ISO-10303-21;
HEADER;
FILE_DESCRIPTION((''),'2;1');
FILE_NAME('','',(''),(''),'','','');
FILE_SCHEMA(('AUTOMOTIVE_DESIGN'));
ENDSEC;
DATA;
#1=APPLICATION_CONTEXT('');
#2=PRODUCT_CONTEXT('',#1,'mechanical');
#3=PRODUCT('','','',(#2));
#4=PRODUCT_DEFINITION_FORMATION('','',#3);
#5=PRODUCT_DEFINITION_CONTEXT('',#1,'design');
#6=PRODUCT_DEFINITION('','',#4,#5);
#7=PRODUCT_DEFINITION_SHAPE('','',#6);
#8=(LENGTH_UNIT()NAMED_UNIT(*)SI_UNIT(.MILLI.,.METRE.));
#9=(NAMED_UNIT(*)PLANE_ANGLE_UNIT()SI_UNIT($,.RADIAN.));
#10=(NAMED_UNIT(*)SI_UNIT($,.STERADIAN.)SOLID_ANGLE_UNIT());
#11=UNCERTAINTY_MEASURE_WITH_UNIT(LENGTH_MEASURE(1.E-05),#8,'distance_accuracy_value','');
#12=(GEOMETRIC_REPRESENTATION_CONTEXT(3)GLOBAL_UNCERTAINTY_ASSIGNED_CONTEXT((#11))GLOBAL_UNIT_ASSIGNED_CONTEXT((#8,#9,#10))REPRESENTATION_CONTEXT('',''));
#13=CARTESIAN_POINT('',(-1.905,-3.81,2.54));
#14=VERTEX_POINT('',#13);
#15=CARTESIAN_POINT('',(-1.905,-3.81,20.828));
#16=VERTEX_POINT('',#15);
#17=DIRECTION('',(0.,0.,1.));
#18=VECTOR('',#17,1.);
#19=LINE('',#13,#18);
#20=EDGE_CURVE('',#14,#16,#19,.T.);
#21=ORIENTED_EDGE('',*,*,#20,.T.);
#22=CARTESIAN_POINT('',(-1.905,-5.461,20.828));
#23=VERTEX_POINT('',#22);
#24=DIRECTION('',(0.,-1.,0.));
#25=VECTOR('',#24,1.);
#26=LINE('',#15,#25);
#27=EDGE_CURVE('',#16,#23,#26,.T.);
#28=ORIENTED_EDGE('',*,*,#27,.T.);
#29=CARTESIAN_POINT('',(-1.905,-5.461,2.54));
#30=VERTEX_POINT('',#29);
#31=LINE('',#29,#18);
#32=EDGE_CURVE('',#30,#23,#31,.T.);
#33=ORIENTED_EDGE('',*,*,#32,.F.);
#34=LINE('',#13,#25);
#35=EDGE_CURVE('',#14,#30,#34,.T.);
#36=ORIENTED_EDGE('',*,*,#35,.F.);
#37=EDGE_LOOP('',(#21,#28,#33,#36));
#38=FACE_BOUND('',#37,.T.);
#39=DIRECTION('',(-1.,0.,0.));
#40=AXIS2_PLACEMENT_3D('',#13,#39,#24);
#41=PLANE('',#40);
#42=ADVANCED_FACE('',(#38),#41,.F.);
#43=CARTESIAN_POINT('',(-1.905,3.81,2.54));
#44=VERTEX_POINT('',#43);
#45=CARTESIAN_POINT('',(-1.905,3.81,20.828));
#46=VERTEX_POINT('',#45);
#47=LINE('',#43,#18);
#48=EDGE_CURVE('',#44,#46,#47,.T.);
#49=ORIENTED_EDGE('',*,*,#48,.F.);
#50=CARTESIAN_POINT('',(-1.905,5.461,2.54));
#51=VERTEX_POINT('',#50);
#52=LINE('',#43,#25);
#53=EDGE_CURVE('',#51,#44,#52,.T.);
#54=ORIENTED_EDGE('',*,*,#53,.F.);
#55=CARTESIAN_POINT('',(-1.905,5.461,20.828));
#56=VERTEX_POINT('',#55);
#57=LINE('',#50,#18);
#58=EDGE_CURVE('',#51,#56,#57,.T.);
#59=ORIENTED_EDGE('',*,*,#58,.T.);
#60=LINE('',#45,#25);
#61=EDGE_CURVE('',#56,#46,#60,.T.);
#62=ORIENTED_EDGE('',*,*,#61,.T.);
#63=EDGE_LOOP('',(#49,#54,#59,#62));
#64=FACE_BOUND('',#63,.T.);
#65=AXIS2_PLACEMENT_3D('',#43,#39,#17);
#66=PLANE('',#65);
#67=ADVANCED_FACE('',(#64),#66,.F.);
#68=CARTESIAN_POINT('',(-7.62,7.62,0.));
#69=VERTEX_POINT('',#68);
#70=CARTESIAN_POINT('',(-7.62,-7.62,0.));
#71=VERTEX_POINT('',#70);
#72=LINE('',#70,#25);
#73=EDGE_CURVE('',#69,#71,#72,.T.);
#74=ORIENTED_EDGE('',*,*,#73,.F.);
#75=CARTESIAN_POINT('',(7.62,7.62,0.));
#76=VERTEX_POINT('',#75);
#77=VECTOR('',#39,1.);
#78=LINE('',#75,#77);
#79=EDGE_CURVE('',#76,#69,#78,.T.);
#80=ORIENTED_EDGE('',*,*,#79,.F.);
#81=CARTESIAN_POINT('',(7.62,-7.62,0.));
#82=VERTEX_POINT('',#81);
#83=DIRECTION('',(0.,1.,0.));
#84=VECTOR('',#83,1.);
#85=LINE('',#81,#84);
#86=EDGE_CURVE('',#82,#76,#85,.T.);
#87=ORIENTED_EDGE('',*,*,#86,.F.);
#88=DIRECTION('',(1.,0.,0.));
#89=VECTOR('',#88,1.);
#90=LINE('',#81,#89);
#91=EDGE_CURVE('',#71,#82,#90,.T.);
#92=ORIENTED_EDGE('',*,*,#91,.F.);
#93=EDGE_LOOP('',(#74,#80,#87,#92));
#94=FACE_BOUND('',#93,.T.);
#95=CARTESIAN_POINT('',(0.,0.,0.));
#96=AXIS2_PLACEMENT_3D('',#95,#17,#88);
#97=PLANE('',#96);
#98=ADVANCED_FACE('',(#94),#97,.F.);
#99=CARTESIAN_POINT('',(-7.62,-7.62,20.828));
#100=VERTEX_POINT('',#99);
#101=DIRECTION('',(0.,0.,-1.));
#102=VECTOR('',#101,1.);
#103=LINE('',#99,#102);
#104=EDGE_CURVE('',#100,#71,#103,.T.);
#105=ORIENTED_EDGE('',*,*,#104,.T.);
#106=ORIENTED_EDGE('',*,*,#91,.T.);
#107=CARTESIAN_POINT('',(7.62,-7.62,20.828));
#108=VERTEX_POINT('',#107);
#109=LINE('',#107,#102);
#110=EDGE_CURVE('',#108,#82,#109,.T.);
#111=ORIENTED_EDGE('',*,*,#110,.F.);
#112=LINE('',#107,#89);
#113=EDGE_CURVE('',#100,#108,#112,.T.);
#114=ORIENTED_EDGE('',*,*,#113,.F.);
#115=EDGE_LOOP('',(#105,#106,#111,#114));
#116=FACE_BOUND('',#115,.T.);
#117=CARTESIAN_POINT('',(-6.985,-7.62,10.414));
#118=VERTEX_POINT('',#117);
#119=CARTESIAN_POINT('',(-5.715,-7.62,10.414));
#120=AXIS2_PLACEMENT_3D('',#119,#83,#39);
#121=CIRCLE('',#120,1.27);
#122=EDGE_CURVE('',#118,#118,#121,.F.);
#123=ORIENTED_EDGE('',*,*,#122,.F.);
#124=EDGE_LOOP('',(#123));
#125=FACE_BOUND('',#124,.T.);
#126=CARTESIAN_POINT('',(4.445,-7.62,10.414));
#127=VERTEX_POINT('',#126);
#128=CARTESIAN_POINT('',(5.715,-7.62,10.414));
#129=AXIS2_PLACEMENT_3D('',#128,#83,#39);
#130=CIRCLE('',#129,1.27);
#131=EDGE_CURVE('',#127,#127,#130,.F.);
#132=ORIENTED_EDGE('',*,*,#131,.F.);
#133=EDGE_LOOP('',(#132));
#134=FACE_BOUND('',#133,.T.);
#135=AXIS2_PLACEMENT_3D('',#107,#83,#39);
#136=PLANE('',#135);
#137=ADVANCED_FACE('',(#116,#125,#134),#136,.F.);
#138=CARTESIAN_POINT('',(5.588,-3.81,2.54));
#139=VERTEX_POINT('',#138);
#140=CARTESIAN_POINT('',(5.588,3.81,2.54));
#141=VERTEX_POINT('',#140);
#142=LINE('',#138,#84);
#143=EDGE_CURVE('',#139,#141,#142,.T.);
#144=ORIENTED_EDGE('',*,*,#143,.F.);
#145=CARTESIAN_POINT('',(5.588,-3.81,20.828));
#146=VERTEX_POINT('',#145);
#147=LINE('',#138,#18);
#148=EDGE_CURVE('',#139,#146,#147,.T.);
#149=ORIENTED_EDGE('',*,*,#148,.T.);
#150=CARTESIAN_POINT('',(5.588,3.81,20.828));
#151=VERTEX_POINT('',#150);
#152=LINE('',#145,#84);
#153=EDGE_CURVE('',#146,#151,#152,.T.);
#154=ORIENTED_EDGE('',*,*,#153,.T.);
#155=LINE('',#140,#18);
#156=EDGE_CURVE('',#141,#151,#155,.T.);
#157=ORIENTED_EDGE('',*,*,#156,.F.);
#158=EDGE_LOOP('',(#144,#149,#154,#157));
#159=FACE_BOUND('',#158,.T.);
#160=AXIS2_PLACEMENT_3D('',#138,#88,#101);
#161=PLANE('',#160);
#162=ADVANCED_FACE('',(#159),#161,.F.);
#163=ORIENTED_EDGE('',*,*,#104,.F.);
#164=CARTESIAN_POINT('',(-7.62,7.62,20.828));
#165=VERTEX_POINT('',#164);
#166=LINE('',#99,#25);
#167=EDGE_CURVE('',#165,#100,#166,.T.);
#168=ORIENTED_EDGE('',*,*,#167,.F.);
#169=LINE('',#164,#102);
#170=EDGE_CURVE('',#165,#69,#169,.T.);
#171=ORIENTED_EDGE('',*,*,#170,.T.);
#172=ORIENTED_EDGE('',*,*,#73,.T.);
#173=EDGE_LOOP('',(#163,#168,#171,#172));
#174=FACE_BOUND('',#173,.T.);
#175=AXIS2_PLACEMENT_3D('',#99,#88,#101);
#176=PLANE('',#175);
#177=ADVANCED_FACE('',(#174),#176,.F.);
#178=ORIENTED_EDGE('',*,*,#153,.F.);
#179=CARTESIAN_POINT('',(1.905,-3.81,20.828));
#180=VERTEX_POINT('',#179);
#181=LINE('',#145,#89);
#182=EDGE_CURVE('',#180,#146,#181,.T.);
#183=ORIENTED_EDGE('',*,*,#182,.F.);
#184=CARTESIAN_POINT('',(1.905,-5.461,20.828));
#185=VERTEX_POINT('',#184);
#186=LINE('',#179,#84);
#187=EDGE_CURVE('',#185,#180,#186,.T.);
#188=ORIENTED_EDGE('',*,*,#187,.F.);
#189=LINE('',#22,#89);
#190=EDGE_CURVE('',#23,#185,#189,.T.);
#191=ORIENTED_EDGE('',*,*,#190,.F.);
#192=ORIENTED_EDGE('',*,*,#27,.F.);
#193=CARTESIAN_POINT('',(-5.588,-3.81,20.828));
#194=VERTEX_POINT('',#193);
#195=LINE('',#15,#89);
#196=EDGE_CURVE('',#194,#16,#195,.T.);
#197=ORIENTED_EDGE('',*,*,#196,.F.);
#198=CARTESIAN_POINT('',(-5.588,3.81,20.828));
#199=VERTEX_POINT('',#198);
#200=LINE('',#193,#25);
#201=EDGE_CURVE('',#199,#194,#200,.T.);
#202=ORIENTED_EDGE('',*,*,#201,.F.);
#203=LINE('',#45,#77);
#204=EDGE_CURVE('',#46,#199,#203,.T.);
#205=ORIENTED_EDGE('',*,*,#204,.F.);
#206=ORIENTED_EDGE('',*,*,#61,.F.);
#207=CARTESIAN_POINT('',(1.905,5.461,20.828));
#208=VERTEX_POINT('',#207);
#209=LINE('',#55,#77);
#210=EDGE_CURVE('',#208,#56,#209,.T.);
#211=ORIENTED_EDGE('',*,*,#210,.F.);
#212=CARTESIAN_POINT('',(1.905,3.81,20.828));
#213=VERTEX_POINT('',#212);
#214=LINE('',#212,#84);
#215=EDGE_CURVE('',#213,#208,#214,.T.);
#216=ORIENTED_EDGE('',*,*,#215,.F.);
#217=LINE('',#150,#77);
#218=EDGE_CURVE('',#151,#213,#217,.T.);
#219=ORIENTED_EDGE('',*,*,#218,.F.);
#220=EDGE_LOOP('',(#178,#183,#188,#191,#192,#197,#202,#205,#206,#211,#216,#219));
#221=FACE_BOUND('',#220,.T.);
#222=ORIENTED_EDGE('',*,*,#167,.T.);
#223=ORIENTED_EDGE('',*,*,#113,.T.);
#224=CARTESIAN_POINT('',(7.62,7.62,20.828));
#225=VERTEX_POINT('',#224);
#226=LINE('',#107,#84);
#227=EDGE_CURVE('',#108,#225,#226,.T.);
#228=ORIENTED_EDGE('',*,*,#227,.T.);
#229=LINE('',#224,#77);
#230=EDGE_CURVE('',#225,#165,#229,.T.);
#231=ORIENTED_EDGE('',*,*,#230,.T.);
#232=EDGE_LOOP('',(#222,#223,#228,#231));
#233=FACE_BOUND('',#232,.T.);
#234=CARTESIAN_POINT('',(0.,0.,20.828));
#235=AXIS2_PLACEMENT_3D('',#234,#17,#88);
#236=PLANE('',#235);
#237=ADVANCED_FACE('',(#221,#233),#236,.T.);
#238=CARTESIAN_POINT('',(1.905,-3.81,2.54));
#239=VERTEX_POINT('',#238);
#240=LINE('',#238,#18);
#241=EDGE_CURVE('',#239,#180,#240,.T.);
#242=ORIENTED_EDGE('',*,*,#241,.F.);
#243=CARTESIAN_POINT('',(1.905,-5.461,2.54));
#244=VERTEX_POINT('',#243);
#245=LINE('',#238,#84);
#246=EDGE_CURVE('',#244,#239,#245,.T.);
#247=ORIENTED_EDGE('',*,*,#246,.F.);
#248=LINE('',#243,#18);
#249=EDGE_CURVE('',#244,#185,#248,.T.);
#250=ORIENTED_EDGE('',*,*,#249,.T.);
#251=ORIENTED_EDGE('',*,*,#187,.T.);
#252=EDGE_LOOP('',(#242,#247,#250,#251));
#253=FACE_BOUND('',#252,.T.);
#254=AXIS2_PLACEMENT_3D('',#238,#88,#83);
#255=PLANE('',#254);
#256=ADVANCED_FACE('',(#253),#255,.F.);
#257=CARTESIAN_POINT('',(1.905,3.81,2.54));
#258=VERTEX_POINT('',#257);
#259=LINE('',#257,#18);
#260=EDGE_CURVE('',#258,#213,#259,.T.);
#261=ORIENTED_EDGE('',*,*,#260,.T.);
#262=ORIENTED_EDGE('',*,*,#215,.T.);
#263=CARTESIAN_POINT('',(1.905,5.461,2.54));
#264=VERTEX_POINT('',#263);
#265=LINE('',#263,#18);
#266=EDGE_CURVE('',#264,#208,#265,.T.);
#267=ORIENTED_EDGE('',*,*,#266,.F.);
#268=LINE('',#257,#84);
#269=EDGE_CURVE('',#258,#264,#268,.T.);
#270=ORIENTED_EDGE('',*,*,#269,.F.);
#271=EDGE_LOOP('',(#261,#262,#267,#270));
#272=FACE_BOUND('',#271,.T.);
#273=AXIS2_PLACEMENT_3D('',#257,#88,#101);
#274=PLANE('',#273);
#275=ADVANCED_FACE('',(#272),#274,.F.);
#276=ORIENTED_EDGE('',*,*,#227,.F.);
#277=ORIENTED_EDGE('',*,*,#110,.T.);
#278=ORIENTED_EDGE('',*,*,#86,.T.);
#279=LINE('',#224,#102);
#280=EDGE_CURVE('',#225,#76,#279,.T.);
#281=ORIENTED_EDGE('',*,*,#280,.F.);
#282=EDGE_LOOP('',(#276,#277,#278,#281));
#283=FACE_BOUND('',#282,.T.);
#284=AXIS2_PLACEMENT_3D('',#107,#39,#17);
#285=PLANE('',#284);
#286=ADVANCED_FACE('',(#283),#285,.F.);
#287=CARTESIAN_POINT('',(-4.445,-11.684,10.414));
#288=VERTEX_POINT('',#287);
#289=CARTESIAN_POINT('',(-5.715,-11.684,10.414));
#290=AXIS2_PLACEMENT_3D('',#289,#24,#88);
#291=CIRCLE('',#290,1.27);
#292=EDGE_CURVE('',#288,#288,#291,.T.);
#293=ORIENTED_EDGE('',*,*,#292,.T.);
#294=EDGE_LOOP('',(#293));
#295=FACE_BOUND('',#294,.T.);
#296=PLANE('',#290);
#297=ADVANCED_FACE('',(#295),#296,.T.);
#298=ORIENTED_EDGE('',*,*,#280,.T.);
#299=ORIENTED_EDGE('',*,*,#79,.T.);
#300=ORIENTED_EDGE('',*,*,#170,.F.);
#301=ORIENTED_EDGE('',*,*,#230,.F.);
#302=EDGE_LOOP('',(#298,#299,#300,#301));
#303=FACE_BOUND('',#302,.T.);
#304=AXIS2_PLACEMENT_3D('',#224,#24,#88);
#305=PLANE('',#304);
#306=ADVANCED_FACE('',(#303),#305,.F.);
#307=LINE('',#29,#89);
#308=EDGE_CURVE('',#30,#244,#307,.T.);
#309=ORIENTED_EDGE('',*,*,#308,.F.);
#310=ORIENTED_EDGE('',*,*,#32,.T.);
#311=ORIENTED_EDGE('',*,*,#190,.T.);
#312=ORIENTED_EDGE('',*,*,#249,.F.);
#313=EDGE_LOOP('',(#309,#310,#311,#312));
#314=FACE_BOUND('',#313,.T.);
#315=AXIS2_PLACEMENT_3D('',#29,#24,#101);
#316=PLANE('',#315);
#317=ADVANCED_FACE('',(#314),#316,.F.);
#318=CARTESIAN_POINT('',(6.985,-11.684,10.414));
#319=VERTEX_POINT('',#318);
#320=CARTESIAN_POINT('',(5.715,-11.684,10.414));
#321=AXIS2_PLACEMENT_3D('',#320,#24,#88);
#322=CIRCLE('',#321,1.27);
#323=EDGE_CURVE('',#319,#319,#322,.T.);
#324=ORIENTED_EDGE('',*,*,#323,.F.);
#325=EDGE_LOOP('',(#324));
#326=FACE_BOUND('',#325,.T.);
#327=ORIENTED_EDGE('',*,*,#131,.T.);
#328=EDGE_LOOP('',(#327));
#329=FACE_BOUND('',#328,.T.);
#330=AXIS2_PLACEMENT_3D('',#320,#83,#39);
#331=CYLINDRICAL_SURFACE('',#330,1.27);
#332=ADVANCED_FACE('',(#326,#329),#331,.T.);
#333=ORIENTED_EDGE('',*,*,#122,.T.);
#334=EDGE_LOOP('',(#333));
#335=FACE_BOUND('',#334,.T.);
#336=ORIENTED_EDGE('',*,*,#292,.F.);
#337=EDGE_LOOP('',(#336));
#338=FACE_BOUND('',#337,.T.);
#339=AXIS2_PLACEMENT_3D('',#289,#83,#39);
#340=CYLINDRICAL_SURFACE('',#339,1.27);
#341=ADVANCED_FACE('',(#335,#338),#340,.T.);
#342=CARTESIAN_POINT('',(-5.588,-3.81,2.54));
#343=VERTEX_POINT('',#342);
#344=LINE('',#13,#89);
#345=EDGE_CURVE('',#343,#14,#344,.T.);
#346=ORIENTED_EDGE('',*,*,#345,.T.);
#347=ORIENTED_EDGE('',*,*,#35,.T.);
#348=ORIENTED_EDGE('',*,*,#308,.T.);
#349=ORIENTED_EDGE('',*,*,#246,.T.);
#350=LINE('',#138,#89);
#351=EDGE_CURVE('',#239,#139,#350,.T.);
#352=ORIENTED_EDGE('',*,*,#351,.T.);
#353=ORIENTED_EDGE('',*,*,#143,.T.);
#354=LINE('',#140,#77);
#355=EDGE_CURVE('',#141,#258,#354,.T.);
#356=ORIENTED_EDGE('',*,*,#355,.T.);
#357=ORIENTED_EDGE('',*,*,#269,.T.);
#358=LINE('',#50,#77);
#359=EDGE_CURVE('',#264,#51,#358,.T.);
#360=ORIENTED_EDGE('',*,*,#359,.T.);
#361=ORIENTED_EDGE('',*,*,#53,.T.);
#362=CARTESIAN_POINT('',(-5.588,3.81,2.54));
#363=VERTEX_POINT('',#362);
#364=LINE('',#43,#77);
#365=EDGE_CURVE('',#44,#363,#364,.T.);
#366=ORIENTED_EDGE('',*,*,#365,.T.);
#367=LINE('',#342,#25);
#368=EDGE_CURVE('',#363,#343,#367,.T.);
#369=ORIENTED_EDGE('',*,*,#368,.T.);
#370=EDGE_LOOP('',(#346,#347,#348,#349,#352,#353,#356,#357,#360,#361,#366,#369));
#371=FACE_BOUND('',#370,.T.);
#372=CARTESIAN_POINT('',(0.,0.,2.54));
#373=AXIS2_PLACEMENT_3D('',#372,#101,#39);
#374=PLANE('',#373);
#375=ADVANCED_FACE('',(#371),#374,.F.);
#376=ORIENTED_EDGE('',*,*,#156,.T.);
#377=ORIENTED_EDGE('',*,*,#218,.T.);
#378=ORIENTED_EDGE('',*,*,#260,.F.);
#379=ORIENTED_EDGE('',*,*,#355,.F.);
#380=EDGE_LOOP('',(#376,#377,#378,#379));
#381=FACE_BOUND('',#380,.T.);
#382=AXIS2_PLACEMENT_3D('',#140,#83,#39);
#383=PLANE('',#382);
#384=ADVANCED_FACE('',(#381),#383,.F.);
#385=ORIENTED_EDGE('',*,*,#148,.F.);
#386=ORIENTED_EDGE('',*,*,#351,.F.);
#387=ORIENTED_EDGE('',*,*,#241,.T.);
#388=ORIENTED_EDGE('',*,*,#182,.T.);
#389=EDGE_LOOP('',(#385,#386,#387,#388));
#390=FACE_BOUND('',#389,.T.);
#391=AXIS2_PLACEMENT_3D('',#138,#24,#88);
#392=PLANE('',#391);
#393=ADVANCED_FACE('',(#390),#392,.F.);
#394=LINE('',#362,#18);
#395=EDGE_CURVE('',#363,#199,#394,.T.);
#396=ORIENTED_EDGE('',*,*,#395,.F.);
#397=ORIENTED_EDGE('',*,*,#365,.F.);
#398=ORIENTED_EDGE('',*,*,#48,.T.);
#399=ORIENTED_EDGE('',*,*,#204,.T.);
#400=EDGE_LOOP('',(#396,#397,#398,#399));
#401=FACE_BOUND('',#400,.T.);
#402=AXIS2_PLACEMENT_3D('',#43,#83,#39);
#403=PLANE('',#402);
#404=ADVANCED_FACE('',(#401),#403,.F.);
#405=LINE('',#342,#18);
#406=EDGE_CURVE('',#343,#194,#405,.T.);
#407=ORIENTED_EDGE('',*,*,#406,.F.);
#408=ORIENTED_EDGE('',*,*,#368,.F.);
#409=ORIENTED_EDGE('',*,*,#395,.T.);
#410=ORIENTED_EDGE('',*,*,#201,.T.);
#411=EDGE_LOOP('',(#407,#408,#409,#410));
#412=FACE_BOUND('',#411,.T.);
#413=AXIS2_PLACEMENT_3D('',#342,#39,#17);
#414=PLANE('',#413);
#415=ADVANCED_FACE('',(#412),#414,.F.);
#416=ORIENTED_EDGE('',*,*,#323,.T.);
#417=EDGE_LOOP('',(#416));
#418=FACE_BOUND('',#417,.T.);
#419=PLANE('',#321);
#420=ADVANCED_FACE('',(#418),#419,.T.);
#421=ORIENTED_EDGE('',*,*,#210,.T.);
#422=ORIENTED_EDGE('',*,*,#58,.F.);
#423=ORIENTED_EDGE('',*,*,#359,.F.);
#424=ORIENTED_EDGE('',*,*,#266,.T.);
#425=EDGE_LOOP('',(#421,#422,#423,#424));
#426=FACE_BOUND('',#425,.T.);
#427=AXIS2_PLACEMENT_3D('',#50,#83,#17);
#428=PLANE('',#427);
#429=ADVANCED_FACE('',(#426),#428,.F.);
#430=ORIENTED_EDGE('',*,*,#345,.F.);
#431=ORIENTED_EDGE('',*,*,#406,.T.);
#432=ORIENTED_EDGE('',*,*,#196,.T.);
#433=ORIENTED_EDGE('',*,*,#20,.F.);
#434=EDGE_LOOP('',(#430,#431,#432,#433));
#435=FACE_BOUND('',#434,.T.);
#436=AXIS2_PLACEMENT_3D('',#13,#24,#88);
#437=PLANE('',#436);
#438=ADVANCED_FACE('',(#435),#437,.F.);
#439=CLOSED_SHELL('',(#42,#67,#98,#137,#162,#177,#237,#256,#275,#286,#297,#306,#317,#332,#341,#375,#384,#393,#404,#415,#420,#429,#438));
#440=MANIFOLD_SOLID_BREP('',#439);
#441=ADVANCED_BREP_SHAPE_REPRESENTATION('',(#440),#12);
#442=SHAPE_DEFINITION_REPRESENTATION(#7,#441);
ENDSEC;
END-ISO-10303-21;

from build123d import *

# Parameters (mm, degrees)
SKETCH1_W           = 15.24
SKETCH1_H           = 15.24
BOSS_EXTRUDE1_DEPTH = 20.828
CUT_EXTRUDE1_DEPTH  = 18.288
SKETCH3_R           = 1.27
BOSS_EXTRUDE2_DEPTH = 4.064


with BuildPart() as part:
    # Sketch1 → Boss-Extrude1 (new body)
    with BuildSketch(Plane.XY):
        Rectangle(SKETCH1_W, SKETCH1_H)
    extrude(amount=BOSS_EXTRUDE1_DEPTH)

    # Sketch2 → Cut-Extrude1 (cut)
    with BuildSketch(Plane.XY.offset(20.828)):
        Polygon((5.588, -3.81), (1.905, -3.81), (1.905, -5.461), (-1.905, -5.461), (-1.905, -3.81), (-5.588, -3.81), (-5.588, 3.81), (-1.905, 3.81), (-1.905, 5.461), (1.905, 5.461), (1.905, 3.81), (5.588, 3.81), align=None)
    extrude(amount=-CUT_EXTRUDE1_DEPTH, mode=Mode.SUBTRACT)

    # Sketch3 → Boss-Extrude2 (add)
    with BuildSketch(Plane.XZ.offset(7.62)):
        with Locations((-5.715, 10.414)):
            Circle(SKETCH3_R)
        with Locations((5.715, 10.414)):
            Circle(SKETCH3_R)
    extrude(amount=BOSS_EXTRUDE2_DEPTH)


solid = part.part
